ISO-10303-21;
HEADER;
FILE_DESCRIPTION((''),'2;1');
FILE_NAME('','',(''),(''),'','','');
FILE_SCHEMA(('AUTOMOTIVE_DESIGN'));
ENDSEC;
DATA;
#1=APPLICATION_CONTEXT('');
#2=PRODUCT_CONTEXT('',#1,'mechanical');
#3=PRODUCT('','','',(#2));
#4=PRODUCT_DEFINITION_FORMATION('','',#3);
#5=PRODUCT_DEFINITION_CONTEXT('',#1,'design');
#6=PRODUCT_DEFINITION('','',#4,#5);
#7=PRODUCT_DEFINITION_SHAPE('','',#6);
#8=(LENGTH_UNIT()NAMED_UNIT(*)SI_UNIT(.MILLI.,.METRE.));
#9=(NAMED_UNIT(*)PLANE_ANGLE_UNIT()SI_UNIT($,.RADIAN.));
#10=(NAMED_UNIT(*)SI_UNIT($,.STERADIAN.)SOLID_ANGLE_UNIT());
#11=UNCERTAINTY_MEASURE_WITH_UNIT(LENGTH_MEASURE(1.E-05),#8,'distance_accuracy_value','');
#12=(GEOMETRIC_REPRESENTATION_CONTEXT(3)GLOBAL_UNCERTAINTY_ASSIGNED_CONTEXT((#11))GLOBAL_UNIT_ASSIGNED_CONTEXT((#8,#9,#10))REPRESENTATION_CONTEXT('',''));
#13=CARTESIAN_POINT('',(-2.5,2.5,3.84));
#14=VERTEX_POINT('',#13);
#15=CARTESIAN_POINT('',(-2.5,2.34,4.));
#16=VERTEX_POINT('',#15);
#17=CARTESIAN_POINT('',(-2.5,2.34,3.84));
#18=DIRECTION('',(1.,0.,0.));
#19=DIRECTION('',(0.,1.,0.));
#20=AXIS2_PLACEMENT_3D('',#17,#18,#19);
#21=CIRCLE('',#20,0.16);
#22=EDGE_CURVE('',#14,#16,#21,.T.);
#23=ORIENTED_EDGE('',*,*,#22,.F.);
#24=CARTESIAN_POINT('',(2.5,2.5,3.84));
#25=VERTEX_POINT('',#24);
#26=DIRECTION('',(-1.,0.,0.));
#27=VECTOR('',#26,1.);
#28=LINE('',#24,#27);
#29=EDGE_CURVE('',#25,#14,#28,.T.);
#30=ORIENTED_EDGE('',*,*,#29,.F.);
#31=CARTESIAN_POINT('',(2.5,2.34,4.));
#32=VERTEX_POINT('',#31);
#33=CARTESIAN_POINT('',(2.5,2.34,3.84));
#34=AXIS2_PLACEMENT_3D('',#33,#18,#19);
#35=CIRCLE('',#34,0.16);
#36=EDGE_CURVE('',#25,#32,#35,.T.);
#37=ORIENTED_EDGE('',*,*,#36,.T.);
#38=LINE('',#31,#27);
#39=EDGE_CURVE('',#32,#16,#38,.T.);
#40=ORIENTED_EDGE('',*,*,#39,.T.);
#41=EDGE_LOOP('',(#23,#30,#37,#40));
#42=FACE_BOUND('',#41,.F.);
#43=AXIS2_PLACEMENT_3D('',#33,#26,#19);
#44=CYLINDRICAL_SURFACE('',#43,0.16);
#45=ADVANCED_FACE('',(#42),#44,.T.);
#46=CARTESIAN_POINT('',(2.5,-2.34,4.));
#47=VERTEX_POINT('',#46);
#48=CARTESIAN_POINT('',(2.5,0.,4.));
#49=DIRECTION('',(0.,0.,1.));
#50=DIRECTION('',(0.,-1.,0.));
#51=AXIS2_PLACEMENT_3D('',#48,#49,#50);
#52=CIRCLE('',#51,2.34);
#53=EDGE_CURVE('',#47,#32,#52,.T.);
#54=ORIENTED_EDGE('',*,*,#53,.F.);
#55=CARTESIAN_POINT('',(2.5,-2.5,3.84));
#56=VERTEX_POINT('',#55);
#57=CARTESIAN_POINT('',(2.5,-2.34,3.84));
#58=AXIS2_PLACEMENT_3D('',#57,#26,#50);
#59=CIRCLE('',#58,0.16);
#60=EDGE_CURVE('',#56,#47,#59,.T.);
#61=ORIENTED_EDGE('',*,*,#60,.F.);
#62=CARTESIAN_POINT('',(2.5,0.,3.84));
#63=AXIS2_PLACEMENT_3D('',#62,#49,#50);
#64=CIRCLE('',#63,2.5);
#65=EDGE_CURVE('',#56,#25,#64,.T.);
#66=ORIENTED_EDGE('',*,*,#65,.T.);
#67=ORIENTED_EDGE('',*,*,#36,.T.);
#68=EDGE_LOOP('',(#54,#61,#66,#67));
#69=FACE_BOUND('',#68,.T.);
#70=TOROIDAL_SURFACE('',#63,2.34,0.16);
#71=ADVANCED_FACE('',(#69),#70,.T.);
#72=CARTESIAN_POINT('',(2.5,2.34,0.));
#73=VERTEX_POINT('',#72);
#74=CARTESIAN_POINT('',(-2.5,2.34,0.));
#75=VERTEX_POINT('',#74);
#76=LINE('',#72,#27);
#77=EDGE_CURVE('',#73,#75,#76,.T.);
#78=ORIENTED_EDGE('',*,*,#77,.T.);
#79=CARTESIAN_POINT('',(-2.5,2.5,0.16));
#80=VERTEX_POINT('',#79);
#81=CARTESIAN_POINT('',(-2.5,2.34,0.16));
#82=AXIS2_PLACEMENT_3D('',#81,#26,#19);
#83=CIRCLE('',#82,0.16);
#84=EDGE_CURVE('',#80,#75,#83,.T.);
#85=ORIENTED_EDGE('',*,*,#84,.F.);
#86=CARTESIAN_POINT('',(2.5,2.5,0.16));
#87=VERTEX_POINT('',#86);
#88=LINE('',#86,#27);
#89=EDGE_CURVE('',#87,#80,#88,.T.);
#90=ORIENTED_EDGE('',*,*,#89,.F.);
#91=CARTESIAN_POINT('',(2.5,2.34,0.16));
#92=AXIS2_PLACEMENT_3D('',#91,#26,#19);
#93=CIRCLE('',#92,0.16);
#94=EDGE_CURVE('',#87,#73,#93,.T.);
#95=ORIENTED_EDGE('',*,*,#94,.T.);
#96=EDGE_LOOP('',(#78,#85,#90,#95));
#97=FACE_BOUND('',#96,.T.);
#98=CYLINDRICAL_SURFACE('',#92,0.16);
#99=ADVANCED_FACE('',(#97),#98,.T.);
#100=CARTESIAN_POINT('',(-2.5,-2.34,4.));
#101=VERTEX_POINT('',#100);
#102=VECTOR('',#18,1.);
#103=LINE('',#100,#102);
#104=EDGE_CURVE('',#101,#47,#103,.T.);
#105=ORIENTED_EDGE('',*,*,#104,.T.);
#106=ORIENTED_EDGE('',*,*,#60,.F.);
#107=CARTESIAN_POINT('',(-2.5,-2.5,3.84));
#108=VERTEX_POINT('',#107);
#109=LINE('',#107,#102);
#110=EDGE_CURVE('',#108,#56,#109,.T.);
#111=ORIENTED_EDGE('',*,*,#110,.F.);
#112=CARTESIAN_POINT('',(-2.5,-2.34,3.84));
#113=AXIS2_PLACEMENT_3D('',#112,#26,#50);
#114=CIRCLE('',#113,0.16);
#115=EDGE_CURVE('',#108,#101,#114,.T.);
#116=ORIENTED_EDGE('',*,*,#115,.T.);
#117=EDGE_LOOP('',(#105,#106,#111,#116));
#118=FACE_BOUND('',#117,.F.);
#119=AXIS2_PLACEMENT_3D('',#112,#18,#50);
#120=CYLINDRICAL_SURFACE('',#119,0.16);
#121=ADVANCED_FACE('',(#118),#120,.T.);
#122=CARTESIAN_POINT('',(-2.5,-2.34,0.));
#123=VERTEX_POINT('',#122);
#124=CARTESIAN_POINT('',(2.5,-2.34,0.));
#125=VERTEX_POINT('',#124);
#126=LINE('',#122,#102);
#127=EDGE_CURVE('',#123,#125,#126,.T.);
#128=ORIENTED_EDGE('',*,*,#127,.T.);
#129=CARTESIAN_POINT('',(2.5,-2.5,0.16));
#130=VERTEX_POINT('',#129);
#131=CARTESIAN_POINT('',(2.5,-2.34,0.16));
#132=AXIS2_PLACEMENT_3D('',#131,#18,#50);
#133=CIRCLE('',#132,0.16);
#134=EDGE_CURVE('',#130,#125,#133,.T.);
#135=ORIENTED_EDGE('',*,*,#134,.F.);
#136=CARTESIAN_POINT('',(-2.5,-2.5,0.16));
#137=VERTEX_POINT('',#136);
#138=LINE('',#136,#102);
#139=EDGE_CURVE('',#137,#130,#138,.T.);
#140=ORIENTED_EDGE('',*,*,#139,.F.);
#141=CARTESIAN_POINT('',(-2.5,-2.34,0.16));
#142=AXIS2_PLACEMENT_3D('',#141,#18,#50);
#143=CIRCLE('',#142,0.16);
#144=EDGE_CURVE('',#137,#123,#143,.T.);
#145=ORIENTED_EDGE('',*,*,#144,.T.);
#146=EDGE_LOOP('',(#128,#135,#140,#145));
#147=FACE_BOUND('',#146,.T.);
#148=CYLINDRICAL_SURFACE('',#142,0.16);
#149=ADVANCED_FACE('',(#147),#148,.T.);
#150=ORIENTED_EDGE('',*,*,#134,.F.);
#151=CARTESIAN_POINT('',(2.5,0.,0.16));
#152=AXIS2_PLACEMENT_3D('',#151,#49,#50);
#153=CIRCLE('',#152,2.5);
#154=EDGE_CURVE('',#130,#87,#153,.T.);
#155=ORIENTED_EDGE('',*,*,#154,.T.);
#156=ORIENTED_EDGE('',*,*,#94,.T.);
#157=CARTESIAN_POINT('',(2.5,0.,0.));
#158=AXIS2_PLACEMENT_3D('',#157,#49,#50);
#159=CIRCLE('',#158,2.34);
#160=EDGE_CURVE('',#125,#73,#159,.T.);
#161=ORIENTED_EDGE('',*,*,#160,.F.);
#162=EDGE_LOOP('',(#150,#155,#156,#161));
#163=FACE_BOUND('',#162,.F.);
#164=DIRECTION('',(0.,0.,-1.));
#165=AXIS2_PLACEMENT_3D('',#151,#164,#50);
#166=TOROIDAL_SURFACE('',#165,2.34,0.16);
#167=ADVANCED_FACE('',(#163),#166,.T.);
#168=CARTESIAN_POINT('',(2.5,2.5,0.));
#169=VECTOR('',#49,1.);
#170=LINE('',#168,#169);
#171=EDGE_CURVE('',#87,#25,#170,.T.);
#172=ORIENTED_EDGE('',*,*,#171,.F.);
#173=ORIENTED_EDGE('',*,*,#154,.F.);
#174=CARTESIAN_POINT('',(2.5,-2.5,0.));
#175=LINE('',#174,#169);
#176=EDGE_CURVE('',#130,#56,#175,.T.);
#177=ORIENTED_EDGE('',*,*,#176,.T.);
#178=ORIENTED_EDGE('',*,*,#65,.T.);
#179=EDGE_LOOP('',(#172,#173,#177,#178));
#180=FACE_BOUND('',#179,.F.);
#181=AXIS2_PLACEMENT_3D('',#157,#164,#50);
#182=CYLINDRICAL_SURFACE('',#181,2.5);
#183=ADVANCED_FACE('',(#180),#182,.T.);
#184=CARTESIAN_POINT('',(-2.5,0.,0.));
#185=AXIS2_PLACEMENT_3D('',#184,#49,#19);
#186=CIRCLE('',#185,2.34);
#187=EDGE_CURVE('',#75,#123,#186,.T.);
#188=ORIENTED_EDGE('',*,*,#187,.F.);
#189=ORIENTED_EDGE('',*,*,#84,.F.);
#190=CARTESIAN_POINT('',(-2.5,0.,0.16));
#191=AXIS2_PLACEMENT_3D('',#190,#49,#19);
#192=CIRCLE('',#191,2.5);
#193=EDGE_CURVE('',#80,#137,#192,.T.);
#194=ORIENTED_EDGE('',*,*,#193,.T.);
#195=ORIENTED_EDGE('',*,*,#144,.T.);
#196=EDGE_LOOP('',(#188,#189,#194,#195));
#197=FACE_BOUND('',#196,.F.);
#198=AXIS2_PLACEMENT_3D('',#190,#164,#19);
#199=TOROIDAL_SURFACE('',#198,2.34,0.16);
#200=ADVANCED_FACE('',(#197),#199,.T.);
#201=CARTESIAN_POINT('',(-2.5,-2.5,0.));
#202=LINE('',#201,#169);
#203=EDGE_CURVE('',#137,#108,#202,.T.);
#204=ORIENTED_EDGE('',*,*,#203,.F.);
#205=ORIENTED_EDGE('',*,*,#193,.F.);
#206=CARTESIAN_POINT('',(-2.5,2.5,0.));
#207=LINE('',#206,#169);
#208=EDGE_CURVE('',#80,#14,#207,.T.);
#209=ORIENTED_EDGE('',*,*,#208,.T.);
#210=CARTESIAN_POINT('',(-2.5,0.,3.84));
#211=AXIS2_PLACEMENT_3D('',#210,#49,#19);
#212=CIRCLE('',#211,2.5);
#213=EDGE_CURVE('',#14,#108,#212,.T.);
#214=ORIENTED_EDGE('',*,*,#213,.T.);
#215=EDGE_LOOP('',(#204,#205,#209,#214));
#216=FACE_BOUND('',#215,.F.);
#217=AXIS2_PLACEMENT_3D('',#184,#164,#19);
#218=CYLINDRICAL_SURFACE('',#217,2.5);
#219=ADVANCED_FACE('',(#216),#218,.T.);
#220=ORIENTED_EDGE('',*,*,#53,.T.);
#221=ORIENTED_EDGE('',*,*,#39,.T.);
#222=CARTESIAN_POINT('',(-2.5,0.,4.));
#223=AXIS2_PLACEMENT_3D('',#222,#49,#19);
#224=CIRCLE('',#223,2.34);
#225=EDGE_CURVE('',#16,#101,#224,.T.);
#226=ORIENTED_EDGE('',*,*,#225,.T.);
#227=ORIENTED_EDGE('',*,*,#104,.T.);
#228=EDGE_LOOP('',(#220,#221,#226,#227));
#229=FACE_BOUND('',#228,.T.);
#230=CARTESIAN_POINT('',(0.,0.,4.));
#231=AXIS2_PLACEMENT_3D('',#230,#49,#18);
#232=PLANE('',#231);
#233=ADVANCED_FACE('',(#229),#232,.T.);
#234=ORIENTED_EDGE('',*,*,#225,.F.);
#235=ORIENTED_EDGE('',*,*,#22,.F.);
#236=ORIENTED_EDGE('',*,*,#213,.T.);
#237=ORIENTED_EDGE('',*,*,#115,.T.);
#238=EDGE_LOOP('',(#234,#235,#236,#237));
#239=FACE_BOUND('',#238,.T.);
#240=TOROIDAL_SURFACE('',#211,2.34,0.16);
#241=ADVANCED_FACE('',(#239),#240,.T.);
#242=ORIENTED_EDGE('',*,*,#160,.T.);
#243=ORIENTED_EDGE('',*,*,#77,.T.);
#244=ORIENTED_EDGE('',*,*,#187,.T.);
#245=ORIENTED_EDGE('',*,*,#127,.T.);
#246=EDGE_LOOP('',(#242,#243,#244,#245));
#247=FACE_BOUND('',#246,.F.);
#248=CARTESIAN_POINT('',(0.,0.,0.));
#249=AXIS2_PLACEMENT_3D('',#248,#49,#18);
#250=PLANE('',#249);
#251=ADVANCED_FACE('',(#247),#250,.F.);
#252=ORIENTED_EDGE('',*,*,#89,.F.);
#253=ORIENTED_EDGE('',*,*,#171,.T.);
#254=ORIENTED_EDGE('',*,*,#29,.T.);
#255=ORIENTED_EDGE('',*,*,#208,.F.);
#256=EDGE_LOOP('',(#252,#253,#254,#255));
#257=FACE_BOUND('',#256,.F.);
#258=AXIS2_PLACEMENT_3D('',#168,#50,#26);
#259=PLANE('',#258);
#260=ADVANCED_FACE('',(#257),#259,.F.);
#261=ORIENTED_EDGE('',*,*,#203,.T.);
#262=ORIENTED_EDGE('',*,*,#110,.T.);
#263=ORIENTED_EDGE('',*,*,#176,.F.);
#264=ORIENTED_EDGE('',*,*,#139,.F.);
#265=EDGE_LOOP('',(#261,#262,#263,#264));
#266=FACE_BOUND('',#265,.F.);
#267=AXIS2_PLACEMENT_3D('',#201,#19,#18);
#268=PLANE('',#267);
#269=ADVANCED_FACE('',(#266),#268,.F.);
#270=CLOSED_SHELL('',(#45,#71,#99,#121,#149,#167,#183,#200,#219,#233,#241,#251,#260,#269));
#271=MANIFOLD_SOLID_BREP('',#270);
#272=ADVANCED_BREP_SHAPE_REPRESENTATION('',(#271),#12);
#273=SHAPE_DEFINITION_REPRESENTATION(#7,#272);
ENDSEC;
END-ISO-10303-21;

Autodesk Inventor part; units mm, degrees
ref_plane "YZ Plane" through (0, 0, 0) normal (1, 0, 0) x (0, 1, 0)
ref_plane "XZ Plane" through (0, 0, 0) normal (0, 1, 0) x (-1, 0, 0)
ref_plane "XY Plane" through (0, 0, 0) normal (0, 0, 1) x (1, 0, 0)
sketch "草圖1" plane through (0, 0, 0) normal (0, 0, 1) x (1, 0, 0)
  line L0 (-2.5, -2.5) -> (2.5, -2.5)
  line L1 (2.5, -2.5) -> (2.5, 2.5)
  line L2 (2.5, 2.5) -> (-2.5, 2.5)
  line L3 (-2.5, 2.5) -> (-2.5, -2.5)
  line L4 (-2.5, -2.5) -> (2.5, 2.5) construction
  line L5 (2.5, -2.5) -> (-2.5, 2.5) construction
  arc A0 (-2.5, 2.5) -> (-2.5, -2.5) centre (-2.5, 0) ccw
  arc A1 (2.5, -2.5) -> (2.5, 2.5) centre (2.5, 0) ccw
  point P0 (0, 0)
  dimension "d0" = 5
  dimension "d1" = 5
extrude "擠出1" add sketch "草圖1" along normal blind 4
fillet "圓角1" radius 0.16 8 edges at (-5, 0, 4) (0, -2.5, 4) (5, 0, 4) (0, 2.5, 4) (5, 0, 0) (0, -2.5, 0) (-5, 0, 0) (0, 2.5, 0)
properties part number "key_3"
